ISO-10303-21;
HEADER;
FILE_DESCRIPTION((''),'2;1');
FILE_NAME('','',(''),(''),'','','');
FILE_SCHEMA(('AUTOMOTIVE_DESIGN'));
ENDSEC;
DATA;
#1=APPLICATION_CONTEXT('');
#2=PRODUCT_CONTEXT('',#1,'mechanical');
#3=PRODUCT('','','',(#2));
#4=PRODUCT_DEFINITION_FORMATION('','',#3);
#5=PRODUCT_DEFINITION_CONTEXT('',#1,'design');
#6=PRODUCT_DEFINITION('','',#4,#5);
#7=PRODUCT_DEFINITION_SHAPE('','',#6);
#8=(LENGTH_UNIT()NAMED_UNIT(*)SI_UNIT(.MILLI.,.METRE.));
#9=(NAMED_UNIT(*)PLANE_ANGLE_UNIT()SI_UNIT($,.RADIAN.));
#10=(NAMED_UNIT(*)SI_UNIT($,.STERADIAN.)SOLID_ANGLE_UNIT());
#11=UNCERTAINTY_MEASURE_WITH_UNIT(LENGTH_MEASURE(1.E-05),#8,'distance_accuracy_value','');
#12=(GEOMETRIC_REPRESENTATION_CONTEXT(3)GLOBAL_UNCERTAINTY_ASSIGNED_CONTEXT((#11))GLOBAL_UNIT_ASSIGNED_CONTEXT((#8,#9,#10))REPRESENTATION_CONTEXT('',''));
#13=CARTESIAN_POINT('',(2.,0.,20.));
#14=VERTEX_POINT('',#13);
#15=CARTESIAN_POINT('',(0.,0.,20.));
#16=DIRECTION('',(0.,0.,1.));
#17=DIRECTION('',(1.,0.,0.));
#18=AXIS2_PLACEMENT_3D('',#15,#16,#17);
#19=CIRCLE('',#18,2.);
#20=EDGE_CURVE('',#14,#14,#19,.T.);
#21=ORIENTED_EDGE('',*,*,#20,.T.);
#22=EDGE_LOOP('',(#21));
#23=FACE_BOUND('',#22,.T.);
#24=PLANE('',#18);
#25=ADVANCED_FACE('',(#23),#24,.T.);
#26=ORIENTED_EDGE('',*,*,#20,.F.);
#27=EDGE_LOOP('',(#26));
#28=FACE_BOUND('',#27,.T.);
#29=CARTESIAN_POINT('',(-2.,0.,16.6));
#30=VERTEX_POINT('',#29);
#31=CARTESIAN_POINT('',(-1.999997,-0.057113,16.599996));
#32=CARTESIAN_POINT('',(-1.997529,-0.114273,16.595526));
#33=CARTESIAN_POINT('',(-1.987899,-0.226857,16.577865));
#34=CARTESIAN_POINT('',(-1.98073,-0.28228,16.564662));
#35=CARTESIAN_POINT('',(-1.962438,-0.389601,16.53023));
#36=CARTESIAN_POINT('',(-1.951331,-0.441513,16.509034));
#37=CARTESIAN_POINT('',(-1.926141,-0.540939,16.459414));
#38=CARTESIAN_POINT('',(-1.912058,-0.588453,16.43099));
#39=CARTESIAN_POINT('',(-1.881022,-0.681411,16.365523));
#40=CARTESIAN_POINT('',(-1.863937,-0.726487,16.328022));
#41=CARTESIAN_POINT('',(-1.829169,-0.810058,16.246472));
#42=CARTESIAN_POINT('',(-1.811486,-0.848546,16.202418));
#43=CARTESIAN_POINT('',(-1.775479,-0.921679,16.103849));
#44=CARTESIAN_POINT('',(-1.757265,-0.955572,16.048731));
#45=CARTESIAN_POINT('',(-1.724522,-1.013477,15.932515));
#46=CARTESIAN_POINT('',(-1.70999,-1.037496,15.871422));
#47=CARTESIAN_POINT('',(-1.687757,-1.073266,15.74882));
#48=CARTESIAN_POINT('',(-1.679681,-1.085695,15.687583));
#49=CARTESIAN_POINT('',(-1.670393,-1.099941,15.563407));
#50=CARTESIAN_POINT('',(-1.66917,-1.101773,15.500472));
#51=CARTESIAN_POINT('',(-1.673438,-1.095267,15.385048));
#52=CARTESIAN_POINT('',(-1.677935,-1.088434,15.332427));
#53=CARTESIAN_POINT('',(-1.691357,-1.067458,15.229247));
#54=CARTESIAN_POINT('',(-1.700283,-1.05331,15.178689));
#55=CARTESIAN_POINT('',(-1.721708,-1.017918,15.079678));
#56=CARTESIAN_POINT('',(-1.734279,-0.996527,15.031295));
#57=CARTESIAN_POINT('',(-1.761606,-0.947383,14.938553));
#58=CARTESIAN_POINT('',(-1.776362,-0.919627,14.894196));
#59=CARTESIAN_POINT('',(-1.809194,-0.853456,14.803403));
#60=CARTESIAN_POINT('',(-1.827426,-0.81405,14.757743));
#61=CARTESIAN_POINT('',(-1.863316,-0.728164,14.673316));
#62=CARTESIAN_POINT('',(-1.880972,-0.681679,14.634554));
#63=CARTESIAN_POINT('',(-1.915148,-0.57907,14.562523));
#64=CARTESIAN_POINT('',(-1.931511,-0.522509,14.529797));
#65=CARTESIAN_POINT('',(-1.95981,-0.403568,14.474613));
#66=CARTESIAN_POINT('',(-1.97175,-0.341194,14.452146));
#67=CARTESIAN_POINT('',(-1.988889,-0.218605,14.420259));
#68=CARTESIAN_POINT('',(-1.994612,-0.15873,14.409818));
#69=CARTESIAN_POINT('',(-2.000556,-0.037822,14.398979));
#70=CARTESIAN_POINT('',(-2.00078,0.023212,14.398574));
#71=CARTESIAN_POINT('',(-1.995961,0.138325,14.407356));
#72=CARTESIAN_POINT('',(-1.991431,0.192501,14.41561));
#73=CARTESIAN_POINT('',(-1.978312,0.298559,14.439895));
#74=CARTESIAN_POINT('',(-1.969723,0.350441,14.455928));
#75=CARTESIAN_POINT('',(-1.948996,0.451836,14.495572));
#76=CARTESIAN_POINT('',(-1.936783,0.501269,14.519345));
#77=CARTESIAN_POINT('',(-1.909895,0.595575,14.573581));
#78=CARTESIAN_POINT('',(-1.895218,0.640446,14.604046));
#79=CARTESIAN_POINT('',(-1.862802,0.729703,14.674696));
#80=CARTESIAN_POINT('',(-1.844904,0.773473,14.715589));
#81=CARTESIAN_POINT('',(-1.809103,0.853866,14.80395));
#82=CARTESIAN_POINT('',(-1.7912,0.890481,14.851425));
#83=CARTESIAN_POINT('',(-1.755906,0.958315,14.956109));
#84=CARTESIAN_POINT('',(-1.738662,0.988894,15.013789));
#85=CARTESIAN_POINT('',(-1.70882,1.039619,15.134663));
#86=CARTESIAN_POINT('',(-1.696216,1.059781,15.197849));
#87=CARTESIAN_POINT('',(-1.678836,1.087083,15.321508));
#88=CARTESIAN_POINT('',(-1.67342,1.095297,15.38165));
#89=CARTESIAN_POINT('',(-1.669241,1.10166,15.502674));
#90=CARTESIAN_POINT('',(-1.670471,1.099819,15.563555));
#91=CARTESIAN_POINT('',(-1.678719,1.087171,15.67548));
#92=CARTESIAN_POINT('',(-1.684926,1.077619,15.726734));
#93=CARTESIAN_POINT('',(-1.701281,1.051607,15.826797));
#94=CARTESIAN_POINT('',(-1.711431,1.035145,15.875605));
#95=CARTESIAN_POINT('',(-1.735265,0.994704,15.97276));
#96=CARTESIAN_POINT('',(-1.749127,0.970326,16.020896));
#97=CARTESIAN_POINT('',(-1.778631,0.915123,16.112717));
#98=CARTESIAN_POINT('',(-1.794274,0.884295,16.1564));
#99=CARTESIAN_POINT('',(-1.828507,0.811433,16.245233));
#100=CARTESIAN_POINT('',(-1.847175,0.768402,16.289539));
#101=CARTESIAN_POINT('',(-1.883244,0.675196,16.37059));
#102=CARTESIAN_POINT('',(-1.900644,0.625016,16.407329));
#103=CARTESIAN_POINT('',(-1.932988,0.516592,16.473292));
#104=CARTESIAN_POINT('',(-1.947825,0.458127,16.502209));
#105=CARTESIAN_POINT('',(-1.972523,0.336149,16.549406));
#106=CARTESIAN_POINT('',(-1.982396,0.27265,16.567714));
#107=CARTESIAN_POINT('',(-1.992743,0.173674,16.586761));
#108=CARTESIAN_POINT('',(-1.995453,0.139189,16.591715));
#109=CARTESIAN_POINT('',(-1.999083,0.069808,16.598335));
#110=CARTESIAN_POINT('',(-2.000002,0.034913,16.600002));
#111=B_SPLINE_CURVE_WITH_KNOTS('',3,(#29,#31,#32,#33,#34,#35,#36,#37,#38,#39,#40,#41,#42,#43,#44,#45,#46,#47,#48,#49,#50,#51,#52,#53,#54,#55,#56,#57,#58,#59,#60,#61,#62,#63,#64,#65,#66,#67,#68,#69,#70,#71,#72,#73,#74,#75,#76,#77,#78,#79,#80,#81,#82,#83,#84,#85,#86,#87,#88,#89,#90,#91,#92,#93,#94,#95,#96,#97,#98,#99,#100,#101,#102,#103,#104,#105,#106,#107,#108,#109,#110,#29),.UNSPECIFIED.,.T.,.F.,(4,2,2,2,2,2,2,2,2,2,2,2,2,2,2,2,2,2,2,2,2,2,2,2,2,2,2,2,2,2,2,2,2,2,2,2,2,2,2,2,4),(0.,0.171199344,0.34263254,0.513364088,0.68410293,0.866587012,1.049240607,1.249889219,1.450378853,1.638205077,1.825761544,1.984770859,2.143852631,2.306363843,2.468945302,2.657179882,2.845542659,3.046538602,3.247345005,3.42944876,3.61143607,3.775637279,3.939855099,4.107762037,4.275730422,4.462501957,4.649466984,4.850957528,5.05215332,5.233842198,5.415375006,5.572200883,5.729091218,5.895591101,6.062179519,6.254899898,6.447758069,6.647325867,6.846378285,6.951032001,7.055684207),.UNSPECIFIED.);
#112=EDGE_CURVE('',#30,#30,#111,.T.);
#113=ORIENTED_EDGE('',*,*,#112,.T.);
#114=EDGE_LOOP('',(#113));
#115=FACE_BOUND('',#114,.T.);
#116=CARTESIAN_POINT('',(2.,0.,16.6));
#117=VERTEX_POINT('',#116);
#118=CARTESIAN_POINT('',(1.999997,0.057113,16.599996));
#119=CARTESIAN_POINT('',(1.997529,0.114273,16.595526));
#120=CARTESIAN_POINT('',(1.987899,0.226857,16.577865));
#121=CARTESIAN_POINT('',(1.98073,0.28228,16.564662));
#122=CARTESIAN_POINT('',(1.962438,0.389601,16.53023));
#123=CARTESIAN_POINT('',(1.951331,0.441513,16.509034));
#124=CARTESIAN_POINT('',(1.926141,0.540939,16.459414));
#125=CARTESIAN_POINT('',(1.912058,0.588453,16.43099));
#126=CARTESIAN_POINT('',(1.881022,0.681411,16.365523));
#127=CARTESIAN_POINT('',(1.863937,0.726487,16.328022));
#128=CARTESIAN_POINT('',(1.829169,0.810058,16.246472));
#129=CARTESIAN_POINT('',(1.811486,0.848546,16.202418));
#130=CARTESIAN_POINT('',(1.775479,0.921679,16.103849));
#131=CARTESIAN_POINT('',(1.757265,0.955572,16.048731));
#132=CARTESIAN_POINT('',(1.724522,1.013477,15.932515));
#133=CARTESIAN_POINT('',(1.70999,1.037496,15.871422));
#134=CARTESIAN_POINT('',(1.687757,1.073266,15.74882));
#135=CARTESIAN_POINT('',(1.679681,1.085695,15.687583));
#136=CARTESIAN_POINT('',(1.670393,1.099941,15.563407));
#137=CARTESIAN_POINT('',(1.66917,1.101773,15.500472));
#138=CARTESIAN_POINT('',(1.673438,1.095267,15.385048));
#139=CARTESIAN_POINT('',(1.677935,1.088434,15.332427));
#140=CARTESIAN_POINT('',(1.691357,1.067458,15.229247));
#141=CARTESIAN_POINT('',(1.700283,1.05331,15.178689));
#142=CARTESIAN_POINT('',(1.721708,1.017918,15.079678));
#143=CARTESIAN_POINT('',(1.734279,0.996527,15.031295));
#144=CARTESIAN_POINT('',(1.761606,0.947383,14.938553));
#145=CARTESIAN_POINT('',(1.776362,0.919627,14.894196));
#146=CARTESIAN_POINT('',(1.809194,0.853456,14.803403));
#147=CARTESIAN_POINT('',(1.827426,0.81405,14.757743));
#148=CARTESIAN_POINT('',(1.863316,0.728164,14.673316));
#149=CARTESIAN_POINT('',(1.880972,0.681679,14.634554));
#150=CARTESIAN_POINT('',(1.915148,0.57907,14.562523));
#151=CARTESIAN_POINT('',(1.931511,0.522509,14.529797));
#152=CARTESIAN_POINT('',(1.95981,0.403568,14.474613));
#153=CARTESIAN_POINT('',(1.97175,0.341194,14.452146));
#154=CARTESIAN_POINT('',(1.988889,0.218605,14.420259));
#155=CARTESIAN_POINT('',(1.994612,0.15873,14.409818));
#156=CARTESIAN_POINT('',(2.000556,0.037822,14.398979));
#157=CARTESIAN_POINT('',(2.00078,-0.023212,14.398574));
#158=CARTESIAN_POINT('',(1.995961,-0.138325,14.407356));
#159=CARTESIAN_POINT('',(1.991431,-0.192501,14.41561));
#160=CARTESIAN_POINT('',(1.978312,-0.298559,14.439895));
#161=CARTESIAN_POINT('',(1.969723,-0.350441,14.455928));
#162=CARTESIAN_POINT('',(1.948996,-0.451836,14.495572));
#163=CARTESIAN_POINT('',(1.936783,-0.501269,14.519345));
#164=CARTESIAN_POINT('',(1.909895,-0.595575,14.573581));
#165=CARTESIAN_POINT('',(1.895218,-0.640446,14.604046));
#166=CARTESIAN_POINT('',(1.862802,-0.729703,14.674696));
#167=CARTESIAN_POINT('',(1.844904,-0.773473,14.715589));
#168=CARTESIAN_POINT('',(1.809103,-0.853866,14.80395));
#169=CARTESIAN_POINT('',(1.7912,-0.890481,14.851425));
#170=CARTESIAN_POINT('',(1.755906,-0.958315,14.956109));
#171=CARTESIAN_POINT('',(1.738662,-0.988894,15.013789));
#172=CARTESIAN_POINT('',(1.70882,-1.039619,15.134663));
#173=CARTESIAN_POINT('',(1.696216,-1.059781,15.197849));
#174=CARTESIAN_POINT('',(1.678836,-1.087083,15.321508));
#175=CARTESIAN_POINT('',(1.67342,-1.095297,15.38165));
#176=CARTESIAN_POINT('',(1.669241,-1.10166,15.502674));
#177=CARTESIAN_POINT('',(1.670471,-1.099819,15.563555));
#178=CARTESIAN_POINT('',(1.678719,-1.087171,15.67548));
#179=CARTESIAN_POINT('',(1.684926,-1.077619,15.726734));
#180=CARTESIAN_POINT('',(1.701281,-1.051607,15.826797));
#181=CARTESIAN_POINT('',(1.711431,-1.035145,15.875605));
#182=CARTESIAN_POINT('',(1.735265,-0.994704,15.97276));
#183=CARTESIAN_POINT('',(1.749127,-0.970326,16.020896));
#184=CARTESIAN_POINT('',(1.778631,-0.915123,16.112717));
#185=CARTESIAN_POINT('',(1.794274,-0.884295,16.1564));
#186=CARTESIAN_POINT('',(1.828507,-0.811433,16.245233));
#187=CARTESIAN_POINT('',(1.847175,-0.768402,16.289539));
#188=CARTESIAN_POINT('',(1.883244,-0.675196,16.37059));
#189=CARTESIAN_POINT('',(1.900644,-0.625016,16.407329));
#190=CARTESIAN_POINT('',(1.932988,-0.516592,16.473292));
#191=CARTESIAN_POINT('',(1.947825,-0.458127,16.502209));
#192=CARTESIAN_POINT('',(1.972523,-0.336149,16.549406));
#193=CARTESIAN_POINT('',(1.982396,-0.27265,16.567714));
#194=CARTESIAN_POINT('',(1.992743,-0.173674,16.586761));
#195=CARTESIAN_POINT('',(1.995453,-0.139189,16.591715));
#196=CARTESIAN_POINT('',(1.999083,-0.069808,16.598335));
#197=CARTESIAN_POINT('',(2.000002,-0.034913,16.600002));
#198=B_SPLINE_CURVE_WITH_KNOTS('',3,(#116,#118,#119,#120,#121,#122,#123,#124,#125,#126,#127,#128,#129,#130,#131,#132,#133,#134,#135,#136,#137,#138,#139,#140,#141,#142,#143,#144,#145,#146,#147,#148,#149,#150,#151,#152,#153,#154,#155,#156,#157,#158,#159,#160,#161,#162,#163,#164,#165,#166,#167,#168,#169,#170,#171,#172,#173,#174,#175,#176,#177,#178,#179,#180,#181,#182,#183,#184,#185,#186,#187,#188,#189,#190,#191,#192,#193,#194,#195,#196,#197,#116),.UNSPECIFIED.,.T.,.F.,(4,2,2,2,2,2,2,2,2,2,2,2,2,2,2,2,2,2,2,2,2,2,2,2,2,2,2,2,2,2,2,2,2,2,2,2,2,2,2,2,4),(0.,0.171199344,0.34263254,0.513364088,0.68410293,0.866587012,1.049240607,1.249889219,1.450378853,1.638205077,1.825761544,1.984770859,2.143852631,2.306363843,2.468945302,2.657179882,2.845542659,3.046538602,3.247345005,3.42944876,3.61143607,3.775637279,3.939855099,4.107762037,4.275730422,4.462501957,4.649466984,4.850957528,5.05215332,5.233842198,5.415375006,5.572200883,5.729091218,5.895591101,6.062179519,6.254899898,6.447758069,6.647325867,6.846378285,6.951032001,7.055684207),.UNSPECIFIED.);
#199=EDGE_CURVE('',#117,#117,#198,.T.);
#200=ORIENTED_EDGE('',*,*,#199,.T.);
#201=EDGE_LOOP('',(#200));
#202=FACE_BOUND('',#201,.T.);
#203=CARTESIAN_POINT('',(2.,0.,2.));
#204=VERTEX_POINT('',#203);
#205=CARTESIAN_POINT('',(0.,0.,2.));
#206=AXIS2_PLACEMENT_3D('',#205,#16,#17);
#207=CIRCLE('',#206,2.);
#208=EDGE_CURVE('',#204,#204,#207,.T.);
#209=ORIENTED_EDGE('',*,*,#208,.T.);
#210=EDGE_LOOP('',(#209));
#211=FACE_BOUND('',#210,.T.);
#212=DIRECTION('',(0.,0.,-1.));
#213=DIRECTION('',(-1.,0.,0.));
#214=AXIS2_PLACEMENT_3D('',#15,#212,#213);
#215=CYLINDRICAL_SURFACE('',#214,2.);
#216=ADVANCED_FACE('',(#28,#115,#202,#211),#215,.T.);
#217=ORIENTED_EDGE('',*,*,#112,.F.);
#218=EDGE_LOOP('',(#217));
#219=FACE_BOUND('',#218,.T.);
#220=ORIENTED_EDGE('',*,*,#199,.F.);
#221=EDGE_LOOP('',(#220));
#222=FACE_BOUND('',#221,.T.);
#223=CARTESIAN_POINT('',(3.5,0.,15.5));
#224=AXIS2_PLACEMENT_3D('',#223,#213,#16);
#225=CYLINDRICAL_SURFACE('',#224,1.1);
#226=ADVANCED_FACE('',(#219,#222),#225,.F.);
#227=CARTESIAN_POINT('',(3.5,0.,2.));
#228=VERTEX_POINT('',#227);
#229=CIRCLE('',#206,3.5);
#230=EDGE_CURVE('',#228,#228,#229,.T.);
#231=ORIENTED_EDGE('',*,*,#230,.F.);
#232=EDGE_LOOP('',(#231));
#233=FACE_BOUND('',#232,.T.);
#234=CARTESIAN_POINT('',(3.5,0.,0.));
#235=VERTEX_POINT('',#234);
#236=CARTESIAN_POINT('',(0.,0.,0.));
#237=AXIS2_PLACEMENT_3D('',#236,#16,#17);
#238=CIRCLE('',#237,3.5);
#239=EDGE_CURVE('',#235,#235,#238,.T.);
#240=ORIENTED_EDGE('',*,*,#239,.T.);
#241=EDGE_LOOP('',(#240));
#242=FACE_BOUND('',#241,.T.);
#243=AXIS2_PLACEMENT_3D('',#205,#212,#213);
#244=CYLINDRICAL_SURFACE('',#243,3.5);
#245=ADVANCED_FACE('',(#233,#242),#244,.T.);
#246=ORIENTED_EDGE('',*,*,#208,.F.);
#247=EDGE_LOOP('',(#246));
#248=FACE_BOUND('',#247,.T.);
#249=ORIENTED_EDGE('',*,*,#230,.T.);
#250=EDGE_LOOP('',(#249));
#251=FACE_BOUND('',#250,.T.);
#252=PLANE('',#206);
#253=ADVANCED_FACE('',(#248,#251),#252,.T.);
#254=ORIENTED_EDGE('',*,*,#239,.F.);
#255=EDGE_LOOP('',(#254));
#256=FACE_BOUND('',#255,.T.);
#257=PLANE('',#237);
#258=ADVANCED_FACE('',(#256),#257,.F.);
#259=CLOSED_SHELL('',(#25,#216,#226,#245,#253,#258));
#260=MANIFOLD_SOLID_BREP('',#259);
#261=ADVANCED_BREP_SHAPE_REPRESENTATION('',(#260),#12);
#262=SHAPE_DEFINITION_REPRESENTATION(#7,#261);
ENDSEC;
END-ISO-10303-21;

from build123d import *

# Parameters (mm, degrees)
SZKIC1_R                    = 3.5
DODANIE_WYCI_GNI_CIE1_DEPTH = 2
SZKIC2_R                    = 2
DODANIE_WYCI_GNI_CIE2_DEPTH = 18
SZKIC3_R                    = 1.1
WYTNIJ_WYCI_GNI_CIE1_DEPTH  = 6.5


with BuildPart() as part:
    # Szkic1 → Dodanie-wyciągnięcie1 (new body)
    with BuildSketch(Plane.XY):
        Circle(SZKIC1_R)
    extrude(amount=DODANIE_WYCI_GNI_CIE1_DEPTH)

    # Szkic2 → Dodanie-wyciągnięcie2 (add)
    with BuildSketch(Plane.XY.offset(2)):
        Circle(SZKIC2_R)
    extrude(amount=DODANIE_WYCI_GNI_CIE2_DEPTH)

    # Szkic3 → Wytnij-wyciągnięcie1 (cut, through all)
    with BuildSketch(Plane.ZY.offset(2)):
        with Locations((15.5, 0)):
            Circle(SZKIC3_R)
    extrude(amount=-WYTNIJ_WYCI_GNI_CIE1_DEPTH, mode=Mode.SUBTRACT)


solid = part.part
